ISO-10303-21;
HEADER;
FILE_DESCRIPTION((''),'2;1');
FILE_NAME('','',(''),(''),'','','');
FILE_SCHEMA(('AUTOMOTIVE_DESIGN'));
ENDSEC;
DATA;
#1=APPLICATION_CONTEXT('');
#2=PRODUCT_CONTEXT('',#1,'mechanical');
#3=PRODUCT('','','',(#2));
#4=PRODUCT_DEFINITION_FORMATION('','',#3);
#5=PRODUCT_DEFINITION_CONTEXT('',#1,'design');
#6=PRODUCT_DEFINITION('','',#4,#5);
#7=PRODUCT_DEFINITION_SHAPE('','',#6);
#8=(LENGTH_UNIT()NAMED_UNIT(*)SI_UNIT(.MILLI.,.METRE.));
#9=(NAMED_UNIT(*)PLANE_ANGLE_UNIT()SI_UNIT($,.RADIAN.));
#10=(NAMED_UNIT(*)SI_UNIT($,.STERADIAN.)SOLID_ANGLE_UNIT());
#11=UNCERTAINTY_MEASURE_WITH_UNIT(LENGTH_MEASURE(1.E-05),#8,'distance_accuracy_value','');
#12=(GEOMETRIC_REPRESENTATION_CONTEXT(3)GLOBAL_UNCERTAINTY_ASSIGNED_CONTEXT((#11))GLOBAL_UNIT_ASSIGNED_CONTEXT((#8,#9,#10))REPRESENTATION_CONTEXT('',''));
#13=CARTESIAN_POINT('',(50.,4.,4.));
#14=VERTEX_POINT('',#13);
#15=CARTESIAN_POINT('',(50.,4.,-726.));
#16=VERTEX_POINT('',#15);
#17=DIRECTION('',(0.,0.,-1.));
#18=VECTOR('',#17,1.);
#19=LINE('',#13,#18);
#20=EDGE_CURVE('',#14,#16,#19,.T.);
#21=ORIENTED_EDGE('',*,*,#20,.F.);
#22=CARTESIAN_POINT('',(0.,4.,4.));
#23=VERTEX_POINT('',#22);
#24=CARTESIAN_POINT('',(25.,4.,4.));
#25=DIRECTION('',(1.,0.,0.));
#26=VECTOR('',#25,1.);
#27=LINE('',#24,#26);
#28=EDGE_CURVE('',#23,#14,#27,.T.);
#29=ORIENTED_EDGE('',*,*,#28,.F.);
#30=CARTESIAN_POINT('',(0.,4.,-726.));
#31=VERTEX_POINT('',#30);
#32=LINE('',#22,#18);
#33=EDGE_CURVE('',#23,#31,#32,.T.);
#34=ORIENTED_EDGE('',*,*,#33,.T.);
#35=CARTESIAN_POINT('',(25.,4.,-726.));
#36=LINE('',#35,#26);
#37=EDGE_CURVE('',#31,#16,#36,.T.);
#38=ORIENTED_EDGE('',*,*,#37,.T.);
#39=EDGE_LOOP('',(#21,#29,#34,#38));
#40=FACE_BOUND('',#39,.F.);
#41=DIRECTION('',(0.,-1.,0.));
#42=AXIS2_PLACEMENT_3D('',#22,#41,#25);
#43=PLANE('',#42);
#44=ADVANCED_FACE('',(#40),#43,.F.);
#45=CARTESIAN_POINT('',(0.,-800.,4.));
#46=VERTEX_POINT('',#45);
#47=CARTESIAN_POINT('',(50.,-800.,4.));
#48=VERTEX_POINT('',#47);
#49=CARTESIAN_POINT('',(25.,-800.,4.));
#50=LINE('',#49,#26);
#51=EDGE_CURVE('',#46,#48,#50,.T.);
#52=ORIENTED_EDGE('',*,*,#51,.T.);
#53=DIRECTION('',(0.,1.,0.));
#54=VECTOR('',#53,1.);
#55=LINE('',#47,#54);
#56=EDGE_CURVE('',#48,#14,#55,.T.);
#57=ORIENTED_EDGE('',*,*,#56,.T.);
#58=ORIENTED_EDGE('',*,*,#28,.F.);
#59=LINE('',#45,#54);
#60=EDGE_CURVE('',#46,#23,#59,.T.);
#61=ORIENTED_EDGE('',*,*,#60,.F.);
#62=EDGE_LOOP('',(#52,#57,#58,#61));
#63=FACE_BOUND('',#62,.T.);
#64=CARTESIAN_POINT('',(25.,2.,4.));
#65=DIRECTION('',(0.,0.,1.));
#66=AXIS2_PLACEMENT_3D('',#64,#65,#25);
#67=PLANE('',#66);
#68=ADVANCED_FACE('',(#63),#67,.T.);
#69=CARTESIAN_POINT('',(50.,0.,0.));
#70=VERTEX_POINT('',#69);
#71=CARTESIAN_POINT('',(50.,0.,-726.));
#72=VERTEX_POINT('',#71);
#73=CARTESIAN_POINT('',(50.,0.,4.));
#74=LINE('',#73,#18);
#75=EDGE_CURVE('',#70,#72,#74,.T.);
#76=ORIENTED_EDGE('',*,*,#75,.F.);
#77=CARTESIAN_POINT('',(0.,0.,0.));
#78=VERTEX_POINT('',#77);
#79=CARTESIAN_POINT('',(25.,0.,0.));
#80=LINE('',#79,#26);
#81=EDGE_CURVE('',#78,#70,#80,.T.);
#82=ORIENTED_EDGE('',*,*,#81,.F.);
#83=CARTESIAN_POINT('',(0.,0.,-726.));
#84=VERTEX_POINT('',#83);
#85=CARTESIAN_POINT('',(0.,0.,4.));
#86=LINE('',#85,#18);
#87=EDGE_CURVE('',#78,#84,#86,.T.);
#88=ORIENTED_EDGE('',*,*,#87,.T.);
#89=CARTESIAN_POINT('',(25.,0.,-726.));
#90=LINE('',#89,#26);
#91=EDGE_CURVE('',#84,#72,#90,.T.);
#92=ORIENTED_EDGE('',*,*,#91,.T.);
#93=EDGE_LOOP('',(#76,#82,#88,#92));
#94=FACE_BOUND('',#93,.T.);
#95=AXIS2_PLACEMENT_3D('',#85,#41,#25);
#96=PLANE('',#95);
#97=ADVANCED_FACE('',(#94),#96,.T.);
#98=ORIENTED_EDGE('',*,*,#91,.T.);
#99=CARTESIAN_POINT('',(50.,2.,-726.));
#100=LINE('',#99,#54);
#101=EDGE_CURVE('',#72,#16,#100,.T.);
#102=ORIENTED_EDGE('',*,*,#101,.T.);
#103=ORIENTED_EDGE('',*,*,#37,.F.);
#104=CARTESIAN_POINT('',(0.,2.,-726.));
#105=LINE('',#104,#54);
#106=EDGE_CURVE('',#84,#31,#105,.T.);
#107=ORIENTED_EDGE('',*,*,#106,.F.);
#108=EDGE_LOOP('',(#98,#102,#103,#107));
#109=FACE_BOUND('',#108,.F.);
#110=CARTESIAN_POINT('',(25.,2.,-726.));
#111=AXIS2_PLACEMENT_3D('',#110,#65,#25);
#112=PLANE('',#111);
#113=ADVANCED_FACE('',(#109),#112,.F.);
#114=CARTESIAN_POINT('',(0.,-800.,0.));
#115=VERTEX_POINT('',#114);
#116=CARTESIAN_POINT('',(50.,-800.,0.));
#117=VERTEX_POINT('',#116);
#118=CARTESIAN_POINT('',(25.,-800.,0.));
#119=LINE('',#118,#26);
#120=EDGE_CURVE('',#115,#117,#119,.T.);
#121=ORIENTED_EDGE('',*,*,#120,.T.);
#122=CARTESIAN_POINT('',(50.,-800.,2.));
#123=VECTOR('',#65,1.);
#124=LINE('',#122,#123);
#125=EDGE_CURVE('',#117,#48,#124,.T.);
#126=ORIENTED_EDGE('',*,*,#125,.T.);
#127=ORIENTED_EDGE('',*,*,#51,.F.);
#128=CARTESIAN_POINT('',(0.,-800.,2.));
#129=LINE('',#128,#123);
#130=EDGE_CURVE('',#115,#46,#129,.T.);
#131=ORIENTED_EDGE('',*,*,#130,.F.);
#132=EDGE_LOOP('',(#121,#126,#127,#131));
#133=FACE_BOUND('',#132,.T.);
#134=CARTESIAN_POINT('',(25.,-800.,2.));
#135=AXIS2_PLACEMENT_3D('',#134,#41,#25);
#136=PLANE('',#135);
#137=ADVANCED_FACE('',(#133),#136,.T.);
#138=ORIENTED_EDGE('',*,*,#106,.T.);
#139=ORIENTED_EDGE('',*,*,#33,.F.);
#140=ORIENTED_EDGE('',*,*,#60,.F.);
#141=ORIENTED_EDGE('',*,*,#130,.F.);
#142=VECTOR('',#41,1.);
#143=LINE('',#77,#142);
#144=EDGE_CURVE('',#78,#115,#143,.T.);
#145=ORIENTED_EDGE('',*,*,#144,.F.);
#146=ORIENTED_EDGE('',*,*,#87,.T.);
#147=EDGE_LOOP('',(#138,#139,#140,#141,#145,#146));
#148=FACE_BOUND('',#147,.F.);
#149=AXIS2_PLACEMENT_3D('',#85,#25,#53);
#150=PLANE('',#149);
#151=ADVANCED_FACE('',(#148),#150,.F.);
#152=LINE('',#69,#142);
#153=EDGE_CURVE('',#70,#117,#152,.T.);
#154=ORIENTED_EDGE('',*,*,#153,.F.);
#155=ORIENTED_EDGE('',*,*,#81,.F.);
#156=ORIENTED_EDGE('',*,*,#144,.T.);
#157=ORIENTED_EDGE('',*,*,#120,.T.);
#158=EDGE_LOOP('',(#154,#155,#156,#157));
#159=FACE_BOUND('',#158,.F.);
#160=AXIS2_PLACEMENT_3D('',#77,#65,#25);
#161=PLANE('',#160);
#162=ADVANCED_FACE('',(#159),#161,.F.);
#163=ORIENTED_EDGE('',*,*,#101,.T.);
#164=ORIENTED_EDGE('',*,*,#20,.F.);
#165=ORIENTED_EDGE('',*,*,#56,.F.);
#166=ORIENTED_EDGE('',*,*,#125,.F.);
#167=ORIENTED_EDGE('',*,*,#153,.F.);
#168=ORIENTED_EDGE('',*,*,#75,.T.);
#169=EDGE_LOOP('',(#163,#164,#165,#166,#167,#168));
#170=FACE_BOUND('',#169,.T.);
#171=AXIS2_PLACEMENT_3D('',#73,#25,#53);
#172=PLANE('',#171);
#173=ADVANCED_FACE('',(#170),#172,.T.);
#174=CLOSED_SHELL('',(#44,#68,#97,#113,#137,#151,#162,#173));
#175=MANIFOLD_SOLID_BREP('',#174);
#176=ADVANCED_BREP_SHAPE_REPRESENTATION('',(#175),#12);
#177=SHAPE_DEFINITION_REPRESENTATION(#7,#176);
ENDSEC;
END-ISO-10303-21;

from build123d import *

# Parameters (mm, degrees)
F0_W     = 50
F0_H     = 4
F1_DEPTH = 800
F3_W     = 50
F3_H     = 4
F4_DEPTH = 730


with BuildPart() as f1:
    # F0 (on Front) → F1 (new body)
    with BuildSketch(Plane.XZ):
        with Locations((25, 2)):
            Rectangle(F0_W, F0_H)
    extrude(amount=F1_DEPTH)

    # F3 (on offset) → F4 (join)
    with BuildSketch(Plane.XY.offset(4)):
        with Locations((25, 2)):
            Rectangle(F3_W, F3_H)
    extrude(amount=-F4_DEPTH)


solid = f1.part
